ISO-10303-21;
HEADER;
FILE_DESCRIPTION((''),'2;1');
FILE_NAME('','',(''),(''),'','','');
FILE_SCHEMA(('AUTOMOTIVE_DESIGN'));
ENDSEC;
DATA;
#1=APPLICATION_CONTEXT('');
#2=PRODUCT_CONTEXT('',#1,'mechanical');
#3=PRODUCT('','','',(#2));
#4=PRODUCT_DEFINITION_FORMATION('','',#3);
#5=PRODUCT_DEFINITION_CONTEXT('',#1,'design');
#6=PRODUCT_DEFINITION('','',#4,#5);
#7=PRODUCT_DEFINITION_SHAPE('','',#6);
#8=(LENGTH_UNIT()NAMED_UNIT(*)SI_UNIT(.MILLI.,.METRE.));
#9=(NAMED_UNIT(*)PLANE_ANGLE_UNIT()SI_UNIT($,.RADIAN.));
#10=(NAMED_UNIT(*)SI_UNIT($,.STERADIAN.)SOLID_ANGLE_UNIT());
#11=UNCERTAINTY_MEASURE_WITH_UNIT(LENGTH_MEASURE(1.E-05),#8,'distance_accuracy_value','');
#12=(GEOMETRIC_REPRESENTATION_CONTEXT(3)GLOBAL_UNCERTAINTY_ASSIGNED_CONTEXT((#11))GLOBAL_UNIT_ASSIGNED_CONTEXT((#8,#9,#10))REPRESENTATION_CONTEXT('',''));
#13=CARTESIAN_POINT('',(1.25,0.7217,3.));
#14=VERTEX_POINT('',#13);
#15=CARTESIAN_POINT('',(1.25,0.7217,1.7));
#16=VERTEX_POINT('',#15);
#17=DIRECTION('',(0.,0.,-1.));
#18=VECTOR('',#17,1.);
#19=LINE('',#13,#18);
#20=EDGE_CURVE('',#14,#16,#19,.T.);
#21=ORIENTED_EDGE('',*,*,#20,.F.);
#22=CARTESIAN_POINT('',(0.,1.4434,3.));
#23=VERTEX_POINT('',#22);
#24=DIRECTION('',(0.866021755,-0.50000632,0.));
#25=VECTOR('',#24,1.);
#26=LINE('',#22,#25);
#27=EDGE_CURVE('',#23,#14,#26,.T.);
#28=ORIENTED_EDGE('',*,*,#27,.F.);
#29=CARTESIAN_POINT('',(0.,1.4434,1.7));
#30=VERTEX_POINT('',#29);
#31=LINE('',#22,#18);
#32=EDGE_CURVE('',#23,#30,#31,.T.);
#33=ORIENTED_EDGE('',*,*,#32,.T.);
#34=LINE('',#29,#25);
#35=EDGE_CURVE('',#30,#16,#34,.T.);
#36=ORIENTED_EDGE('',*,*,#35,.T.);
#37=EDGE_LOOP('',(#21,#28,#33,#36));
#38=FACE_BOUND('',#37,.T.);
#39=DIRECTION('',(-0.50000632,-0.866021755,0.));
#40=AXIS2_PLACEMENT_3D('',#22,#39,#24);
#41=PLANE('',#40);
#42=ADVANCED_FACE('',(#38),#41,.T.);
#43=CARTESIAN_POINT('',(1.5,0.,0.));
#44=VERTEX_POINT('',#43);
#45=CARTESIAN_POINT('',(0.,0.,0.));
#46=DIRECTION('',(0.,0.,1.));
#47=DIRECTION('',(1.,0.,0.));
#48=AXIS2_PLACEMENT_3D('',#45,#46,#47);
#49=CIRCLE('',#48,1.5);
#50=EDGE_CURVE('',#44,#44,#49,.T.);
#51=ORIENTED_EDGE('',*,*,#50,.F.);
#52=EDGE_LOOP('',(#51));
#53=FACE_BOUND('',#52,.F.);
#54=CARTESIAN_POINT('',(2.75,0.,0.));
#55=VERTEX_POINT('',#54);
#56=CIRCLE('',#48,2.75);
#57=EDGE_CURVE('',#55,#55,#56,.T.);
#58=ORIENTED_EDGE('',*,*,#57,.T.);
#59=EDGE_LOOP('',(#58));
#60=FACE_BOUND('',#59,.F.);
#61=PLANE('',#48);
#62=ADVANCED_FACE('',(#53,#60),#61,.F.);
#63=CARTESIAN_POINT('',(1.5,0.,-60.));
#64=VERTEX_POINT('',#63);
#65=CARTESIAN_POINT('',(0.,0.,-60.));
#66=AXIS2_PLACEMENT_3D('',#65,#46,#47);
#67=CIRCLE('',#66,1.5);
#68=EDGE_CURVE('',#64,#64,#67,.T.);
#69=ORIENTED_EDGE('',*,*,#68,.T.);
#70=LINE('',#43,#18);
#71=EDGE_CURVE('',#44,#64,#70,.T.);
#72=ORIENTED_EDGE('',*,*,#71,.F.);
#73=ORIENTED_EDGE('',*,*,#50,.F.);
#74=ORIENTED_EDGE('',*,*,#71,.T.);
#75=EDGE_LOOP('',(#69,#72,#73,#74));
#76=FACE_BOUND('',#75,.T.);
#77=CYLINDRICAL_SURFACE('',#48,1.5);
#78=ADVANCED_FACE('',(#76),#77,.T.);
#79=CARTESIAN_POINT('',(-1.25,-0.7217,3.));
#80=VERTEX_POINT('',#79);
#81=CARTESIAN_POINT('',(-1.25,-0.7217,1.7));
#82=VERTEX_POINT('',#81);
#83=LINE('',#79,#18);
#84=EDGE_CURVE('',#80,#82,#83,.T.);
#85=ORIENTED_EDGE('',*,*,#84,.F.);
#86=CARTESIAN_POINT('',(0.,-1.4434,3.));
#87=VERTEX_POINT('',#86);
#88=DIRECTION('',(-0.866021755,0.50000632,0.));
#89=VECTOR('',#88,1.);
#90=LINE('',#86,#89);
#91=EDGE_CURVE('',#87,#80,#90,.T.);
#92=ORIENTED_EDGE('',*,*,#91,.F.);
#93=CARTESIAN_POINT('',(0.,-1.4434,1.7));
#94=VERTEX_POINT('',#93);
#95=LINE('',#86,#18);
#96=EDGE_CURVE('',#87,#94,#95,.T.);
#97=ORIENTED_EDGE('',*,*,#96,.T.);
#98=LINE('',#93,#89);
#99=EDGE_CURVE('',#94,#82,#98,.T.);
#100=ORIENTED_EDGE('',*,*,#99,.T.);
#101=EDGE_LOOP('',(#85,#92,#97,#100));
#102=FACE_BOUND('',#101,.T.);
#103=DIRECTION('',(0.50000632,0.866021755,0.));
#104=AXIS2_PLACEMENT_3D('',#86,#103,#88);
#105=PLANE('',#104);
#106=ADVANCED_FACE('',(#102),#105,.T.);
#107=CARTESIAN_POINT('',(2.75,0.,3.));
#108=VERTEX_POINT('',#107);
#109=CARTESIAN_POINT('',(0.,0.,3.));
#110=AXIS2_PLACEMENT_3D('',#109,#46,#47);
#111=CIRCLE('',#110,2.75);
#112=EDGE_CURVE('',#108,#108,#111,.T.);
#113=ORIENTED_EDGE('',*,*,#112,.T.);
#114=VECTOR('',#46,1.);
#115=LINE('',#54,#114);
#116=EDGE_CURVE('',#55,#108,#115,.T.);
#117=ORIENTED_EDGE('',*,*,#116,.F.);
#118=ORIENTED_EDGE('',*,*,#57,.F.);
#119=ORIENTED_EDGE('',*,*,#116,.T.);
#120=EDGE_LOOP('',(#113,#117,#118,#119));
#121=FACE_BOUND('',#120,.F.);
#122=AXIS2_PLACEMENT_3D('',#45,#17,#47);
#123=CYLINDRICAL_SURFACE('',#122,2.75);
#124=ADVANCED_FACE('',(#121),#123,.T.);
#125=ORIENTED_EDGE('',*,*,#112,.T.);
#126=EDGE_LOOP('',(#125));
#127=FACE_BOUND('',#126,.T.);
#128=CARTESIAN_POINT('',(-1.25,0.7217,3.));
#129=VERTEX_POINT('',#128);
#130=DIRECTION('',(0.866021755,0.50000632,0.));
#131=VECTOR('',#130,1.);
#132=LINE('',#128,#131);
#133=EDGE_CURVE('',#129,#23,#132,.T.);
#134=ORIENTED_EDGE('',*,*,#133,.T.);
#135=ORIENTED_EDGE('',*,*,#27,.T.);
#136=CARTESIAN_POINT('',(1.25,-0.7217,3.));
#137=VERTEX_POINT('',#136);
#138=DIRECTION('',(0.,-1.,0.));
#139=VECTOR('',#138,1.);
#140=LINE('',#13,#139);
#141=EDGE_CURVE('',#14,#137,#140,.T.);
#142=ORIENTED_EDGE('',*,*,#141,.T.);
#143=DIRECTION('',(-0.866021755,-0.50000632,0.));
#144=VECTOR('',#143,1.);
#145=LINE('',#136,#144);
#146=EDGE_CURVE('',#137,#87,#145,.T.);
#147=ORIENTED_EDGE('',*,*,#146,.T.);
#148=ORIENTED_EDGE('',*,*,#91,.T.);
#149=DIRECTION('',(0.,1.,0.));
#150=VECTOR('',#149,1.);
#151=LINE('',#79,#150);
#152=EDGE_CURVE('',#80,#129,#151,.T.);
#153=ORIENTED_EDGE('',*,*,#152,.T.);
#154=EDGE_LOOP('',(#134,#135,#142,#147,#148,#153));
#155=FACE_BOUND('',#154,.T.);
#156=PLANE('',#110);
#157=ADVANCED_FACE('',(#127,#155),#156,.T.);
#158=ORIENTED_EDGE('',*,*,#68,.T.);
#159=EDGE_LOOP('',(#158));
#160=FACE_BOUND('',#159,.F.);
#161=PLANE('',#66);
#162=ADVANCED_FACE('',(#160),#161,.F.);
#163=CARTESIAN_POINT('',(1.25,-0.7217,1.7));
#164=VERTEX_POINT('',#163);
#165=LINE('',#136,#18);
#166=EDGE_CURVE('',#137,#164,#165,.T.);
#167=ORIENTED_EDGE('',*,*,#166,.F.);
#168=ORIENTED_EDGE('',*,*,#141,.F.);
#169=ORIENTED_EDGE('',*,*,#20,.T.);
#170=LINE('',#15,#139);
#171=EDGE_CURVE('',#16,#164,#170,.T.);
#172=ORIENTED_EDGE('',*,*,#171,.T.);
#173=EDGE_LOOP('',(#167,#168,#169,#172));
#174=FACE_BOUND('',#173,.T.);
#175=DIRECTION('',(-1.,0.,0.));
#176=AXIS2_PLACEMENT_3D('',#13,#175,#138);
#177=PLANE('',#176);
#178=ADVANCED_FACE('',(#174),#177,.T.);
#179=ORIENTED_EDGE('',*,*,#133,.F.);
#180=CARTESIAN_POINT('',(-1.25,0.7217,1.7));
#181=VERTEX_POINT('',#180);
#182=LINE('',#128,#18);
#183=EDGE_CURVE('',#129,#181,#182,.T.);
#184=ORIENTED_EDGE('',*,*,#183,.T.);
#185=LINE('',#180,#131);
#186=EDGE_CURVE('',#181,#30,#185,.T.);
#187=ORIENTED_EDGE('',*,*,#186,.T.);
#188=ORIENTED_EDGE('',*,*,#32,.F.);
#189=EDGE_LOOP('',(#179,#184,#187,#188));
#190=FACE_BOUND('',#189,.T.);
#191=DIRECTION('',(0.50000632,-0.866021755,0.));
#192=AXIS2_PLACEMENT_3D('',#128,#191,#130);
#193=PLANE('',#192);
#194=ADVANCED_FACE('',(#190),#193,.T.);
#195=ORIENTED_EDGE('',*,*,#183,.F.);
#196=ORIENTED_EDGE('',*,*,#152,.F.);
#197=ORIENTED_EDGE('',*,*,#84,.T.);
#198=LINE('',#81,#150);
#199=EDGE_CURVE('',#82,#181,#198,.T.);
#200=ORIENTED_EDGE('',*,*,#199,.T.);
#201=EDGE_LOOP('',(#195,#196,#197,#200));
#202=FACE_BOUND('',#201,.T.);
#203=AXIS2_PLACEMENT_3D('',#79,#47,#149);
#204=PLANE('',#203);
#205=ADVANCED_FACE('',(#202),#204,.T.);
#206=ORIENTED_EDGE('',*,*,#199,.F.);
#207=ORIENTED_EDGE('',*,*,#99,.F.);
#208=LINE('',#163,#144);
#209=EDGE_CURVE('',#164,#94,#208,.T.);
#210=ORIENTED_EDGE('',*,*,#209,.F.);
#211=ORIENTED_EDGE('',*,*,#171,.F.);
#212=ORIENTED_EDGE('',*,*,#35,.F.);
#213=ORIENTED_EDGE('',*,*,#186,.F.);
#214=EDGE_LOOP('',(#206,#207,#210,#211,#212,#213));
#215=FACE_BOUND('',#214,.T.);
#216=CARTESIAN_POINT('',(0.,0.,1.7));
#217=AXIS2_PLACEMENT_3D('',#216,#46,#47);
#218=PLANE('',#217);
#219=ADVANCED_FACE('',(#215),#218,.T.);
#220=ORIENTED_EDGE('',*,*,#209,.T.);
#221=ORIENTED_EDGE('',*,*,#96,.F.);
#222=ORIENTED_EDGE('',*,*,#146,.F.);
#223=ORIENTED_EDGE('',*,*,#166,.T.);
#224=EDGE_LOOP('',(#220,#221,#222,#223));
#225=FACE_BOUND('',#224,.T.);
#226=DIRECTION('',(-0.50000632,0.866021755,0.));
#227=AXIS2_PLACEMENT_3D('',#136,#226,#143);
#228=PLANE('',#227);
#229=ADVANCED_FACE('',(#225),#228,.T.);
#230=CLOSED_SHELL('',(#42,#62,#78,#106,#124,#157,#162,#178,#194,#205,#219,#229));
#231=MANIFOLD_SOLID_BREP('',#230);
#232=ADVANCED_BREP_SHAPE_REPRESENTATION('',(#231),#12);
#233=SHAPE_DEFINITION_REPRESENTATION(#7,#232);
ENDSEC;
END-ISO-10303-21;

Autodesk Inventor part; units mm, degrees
ref_plane "YZ Plane" through (0, 0, 0) normal (1, 0, 0) x (0, 1, 0)
ref_plane "XZ Plane" through (0, 0, 0) normal (0, 1, 0) x (-1, 0, 0)
ref_plane "XY Plane" through (0, 0, 0) normal (0, 0, 1) x (1, 0, 0)
sketch "スケッチ1" plane through (0, 0, 0) normal (0, 0, 1) x (1, 0, 0)
  circle A0 centre (0, 0) radius 1.5
  dimension "d0" = 3
extrude "押し出し1" add sketch "スケッチ1" against normal blind 60
sketch "スケッチ2" plane through (0, 0, 0) normal (0, 0, 1) x (1, 0, 0)
  circle A0 centre (0, 0) radius 2.75
  dimension "d3" = 5.5
extrude "押し出し2" add sketch "スケッチ2" along normal blind 3
sketch "スケッチ3" plane through (0, 0, 3) normal (0, 0, 1) x (1, 0, 0)
  line L0 (0, 1.4434) -> (1.25, 0.7217)
  line L1 (1.25, 0.7217) -> (1.25, -0.7217)
  line L2 (1.25, -0.7217) -> (0, -1.4434)
  line L3 (0, -1.4434) -> (-1.25, -0.7217)
  line L4 (-1.25, -0.7217) -> (-1.25, 0.7217)
  line L5 (-1.25, 0.7217) -> (0, 1.4434)
  point P0 (0, 0)
  point P1 (0, 0)
  dimension "d6" = 2.5
extrude "押し出し3" cut sketch "スケッチ3" against normal blind 1.3
thread "ねじ1" size "M3x0.5" class "6g" standard "ANSI Metric M Profile" full length
properties part number "M3キャップボルト 20" material "鋼、高強度、低合金"
